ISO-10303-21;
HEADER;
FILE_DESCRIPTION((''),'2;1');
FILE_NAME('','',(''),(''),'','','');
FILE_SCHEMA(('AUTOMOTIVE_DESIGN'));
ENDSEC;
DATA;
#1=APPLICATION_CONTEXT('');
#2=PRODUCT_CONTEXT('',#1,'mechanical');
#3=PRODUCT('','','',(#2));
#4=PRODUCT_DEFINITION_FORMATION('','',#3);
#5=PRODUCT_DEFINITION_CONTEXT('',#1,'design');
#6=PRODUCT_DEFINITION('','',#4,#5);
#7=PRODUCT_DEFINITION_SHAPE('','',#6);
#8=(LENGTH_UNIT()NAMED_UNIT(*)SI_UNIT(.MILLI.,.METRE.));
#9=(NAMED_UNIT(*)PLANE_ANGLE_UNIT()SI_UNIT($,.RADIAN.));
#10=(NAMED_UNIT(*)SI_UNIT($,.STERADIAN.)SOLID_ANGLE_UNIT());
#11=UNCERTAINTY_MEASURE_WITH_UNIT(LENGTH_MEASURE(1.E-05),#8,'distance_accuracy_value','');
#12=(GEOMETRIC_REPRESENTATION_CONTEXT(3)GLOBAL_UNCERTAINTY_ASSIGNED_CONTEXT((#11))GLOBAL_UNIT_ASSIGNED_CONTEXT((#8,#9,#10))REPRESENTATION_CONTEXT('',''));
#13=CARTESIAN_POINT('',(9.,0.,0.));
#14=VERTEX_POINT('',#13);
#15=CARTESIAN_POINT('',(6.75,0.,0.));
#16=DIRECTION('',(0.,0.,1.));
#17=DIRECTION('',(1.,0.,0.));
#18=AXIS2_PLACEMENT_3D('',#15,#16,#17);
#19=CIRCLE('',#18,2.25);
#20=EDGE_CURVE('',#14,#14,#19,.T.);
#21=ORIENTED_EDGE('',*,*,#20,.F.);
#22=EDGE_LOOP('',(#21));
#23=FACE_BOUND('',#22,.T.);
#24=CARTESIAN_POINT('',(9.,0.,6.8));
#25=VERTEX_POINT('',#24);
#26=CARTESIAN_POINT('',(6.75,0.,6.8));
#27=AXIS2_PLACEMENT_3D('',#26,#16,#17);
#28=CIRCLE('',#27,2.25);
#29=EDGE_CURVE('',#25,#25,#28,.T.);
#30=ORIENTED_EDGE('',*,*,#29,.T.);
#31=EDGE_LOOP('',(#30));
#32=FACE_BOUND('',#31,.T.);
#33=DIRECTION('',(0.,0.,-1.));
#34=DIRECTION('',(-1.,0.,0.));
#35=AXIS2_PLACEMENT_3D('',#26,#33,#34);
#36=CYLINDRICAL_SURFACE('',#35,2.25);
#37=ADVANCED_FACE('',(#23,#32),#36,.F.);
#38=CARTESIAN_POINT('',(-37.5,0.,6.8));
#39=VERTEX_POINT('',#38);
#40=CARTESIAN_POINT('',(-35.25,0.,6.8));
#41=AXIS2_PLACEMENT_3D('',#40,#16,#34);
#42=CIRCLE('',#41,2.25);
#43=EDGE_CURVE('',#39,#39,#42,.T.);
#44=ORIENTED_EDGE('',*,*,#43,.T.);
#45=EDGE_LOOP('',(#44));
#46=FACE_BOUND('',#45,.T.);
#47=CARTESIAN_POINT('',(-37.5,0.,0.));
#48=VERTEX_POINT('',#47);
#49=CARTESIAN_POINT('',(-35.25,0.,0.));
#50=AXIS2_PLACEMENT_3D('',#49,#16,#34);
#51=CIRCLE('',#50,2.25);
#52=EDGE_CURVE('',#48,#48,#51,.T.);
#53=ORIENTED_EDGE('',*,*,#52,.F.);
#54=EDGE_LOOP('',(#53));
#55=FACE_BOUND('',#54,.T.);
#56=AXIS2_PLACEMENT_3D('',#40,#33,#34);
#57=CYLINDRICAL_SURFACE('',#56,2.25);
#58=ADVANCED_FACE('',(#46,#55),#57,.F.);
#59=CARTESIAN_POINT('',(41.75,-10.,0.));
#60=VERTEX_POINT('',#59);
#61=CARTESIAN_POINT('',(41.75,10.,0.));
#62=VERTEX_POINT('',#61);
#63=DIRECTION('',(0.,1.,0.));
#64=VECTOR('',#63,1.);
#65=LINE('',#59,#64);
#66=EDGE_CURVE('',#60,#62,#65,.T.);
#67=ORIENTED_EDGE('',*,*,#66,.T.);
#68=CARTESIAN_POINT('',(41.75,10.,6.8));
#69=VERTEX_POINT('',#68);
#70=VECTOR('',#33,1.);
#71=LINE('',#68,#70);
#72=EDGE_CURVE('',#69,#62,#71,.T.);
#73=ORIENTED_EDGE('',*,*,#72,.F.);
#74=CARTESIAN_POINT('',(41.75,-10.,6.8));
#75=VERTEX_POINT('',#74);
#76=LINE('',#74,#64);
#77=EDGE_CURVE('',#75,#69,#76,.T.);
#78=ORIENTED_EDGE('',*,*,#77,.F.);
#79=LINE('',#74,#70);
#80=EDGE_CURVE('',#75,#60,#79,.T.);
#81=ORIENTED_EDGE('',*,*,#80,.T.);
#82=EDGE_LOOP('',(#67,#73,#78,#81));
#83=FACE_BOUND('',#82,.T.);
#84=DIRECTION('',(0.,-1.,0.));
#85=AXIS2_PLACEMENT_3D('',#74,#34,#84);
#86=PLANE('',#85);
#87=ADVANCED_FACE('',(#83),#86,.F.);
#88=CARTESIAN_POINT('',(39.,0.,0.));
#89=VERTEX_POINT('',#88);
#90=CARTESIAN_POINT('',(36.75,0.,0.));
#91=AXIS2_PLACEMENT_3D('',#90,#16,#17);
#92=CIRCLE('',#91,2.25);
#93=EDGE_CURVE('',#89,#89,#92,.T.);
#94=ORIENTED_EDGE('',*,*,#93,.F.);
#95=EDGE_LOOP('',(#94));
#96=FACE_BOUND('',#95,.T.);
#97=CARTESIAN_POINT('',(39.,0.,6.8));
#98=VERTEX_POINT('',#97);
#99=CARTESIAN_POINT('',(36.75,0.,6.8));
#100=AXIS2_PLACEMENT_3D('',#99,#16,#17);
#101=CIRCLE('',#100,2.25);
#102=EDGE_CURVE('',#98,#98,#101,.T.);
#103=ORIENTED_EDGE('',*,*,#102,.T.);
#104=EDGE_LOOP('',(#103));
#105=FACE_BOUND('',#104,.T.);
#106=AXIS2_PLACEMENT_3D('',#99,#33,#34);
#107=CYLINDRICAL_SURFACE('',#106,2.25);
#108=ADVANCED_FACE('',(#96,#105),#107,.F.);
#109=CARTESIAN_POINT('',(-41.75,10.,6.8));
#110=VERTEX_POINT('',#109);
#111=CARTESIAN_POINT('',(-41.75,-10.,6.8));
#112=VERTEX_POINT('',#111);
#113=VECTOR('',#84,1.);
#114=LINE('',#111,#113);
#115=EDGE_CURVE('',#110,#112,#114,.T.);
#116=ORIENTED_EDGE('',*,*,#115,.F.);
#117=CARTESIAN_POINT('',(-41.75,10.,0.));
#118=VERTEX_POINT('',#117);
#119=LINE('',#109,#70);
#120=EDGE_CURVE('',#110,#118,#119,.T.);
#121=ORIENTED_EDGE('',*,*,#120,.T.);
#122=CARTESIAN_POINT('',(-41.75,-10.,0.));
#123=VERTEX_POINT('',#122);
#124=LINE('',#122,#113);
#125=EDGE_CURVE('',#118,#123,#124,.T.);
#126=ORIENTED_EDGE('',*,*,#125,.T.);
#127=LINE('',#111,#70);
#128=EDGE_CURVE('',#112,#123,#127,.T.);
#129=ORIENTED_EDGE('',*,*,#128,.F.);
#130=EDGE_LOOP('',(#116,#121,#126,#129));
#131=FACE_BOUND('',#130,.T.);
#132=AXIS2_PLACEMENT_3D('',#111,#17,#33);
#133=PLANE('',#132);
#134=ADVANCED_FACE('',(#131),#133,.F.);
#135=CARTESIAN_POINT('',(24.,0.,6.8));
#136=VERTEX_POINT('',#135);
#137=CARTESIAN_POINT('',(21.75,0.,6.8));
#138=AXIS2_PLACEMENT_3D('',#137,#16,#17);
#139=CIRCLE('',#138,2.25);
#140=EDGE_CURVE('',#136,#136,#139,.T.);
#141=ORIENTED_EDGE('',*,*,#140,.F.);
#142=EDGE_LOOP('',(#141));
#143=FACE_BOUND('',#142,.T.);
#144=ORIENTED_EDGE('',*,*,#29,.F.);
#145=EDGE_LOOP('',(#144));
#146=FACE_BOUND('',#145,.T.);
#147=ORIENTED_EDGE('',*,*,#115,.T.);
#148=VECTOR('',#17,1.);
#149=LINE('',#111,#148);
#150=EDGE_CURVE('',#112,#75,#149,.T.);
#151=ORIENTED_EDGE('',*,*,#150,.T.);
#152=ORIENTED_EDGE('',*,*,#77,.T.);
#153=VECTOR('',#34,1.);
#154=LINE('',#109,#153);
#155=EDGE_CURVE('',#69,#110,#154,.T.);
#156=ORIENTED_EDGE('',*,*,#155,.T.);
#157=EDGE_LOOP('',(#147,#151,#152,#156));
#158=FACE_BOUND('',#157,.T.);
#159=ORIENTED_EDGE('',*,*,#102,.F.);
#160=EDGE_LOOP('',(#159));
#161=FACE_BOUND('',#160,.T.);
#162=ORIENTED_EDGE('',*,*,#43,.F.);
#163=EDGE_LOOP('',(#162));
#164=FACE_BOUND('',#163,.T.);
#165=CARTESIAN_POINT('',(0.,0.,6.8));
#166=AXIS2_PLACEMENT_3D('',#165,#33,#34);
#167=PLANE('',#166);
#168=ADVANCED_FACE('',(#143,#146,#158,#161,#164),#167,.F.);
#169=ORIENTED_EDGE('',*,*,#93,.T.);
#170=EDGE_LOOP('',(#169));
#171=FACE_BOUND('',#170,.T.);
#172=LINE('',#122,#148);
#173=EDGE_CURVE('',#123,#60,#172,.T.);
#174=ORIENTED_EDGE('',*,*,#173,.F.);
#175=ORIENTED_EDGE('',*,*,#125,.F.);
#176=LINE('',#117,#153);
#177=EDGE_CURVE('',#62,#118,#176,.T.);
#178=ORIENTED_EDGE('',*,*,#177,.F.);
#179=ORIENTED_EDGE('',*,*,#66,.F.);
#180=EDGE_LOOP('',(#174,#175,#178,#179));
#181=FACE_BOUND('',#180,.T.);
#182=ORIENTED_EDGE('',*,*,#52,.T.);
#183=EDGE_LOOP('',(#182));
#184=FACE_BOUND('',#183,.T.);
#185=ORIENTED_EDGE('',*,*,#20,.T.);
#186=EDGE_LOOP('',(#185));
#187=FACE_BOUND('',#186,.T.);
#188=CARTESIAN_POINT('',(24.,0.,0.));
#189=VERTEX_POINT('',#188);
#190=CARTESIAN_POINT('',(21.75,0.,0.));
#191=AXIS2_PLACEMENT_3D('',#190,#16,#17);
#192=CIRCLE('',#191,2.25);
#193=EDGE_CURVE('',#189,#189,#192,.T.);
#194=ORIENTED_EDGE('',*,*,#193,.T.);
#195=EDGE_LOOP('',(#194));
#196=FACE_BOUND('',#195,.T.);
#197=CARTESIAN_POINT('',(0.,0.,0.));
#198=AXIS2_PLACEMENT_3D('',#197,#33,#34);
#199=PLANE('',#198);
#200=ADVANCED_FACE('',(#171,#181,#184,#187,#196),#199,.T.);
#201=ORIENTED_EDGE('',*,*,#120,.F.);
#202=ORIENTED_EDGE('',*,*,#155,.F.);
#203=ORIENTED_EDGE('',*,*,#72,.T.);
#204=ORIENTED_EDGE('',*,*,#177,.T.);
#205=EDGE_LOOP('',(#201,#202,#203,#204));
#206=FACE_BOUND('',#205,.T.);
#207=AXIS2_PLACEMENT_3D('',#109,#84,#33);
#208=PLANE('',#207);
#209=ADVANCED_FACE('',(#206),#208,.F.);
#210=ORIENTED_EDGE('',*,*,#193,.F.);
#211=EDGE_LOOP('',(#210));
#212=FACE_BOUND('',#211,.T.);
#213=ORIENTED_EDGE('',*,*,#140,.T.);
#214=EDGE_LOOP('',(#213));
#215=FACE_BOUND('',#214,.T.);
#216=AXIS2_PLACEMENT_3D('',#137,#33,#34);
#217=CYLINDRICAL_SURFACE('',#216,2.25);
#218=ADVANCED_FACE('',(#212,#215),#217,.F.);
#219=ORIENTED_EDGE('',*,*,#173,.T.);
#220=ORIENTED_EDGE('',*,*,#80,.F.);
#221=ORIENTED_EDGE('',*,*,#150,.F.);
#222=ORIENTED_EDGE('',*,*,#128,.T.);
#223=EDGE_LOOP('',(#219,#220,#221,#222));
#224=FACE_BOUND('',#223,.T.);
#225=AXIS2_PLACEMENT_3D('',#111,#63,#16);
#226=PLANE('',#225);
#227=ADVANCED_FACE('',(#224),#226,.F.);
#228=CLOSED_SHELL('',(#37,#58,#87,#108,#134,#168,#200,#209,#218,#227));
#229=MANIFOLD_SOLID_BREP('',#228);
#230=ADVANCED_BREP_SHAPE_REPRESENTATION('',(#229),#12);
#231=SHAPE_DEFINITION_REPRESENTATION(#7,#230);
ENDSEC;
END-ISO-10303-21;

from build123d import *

# Parameters (mm, degrees)
SKETCH1_W           = 83.5
SKETCH1_H           = 20
SKETCH1_R           = 2.25
BOSS_EXTRUDE1_DEPTH = 6.8


with BuildPart() as part:
    # Sketch1 → Boss-Extrude1 (new body)
    with BuildSketch(Plane.XY):
        Rectangle(SKETCH1_W, SKETCH1_H)
        with Locations((6.75, 0)):
            Circle(SKETCH1_R, mode=Mode.SUBTRACT)
        with Locations((-35.25, 0)):
            Circle(SKETCH1_R, mode=Mode.SUBTRACT)
        with Locations((21.75, 0)):
            Circle(SKETCH1_R, mode=Mode.SUBTRACT)
        with Locations((36.75, 0)):
            Circle(SKETCH1_R, mode=Mode.SUBTRACT)
    extrude(amount=BOSS_EXTRUDE1_DEPTH)


solid = part.part
